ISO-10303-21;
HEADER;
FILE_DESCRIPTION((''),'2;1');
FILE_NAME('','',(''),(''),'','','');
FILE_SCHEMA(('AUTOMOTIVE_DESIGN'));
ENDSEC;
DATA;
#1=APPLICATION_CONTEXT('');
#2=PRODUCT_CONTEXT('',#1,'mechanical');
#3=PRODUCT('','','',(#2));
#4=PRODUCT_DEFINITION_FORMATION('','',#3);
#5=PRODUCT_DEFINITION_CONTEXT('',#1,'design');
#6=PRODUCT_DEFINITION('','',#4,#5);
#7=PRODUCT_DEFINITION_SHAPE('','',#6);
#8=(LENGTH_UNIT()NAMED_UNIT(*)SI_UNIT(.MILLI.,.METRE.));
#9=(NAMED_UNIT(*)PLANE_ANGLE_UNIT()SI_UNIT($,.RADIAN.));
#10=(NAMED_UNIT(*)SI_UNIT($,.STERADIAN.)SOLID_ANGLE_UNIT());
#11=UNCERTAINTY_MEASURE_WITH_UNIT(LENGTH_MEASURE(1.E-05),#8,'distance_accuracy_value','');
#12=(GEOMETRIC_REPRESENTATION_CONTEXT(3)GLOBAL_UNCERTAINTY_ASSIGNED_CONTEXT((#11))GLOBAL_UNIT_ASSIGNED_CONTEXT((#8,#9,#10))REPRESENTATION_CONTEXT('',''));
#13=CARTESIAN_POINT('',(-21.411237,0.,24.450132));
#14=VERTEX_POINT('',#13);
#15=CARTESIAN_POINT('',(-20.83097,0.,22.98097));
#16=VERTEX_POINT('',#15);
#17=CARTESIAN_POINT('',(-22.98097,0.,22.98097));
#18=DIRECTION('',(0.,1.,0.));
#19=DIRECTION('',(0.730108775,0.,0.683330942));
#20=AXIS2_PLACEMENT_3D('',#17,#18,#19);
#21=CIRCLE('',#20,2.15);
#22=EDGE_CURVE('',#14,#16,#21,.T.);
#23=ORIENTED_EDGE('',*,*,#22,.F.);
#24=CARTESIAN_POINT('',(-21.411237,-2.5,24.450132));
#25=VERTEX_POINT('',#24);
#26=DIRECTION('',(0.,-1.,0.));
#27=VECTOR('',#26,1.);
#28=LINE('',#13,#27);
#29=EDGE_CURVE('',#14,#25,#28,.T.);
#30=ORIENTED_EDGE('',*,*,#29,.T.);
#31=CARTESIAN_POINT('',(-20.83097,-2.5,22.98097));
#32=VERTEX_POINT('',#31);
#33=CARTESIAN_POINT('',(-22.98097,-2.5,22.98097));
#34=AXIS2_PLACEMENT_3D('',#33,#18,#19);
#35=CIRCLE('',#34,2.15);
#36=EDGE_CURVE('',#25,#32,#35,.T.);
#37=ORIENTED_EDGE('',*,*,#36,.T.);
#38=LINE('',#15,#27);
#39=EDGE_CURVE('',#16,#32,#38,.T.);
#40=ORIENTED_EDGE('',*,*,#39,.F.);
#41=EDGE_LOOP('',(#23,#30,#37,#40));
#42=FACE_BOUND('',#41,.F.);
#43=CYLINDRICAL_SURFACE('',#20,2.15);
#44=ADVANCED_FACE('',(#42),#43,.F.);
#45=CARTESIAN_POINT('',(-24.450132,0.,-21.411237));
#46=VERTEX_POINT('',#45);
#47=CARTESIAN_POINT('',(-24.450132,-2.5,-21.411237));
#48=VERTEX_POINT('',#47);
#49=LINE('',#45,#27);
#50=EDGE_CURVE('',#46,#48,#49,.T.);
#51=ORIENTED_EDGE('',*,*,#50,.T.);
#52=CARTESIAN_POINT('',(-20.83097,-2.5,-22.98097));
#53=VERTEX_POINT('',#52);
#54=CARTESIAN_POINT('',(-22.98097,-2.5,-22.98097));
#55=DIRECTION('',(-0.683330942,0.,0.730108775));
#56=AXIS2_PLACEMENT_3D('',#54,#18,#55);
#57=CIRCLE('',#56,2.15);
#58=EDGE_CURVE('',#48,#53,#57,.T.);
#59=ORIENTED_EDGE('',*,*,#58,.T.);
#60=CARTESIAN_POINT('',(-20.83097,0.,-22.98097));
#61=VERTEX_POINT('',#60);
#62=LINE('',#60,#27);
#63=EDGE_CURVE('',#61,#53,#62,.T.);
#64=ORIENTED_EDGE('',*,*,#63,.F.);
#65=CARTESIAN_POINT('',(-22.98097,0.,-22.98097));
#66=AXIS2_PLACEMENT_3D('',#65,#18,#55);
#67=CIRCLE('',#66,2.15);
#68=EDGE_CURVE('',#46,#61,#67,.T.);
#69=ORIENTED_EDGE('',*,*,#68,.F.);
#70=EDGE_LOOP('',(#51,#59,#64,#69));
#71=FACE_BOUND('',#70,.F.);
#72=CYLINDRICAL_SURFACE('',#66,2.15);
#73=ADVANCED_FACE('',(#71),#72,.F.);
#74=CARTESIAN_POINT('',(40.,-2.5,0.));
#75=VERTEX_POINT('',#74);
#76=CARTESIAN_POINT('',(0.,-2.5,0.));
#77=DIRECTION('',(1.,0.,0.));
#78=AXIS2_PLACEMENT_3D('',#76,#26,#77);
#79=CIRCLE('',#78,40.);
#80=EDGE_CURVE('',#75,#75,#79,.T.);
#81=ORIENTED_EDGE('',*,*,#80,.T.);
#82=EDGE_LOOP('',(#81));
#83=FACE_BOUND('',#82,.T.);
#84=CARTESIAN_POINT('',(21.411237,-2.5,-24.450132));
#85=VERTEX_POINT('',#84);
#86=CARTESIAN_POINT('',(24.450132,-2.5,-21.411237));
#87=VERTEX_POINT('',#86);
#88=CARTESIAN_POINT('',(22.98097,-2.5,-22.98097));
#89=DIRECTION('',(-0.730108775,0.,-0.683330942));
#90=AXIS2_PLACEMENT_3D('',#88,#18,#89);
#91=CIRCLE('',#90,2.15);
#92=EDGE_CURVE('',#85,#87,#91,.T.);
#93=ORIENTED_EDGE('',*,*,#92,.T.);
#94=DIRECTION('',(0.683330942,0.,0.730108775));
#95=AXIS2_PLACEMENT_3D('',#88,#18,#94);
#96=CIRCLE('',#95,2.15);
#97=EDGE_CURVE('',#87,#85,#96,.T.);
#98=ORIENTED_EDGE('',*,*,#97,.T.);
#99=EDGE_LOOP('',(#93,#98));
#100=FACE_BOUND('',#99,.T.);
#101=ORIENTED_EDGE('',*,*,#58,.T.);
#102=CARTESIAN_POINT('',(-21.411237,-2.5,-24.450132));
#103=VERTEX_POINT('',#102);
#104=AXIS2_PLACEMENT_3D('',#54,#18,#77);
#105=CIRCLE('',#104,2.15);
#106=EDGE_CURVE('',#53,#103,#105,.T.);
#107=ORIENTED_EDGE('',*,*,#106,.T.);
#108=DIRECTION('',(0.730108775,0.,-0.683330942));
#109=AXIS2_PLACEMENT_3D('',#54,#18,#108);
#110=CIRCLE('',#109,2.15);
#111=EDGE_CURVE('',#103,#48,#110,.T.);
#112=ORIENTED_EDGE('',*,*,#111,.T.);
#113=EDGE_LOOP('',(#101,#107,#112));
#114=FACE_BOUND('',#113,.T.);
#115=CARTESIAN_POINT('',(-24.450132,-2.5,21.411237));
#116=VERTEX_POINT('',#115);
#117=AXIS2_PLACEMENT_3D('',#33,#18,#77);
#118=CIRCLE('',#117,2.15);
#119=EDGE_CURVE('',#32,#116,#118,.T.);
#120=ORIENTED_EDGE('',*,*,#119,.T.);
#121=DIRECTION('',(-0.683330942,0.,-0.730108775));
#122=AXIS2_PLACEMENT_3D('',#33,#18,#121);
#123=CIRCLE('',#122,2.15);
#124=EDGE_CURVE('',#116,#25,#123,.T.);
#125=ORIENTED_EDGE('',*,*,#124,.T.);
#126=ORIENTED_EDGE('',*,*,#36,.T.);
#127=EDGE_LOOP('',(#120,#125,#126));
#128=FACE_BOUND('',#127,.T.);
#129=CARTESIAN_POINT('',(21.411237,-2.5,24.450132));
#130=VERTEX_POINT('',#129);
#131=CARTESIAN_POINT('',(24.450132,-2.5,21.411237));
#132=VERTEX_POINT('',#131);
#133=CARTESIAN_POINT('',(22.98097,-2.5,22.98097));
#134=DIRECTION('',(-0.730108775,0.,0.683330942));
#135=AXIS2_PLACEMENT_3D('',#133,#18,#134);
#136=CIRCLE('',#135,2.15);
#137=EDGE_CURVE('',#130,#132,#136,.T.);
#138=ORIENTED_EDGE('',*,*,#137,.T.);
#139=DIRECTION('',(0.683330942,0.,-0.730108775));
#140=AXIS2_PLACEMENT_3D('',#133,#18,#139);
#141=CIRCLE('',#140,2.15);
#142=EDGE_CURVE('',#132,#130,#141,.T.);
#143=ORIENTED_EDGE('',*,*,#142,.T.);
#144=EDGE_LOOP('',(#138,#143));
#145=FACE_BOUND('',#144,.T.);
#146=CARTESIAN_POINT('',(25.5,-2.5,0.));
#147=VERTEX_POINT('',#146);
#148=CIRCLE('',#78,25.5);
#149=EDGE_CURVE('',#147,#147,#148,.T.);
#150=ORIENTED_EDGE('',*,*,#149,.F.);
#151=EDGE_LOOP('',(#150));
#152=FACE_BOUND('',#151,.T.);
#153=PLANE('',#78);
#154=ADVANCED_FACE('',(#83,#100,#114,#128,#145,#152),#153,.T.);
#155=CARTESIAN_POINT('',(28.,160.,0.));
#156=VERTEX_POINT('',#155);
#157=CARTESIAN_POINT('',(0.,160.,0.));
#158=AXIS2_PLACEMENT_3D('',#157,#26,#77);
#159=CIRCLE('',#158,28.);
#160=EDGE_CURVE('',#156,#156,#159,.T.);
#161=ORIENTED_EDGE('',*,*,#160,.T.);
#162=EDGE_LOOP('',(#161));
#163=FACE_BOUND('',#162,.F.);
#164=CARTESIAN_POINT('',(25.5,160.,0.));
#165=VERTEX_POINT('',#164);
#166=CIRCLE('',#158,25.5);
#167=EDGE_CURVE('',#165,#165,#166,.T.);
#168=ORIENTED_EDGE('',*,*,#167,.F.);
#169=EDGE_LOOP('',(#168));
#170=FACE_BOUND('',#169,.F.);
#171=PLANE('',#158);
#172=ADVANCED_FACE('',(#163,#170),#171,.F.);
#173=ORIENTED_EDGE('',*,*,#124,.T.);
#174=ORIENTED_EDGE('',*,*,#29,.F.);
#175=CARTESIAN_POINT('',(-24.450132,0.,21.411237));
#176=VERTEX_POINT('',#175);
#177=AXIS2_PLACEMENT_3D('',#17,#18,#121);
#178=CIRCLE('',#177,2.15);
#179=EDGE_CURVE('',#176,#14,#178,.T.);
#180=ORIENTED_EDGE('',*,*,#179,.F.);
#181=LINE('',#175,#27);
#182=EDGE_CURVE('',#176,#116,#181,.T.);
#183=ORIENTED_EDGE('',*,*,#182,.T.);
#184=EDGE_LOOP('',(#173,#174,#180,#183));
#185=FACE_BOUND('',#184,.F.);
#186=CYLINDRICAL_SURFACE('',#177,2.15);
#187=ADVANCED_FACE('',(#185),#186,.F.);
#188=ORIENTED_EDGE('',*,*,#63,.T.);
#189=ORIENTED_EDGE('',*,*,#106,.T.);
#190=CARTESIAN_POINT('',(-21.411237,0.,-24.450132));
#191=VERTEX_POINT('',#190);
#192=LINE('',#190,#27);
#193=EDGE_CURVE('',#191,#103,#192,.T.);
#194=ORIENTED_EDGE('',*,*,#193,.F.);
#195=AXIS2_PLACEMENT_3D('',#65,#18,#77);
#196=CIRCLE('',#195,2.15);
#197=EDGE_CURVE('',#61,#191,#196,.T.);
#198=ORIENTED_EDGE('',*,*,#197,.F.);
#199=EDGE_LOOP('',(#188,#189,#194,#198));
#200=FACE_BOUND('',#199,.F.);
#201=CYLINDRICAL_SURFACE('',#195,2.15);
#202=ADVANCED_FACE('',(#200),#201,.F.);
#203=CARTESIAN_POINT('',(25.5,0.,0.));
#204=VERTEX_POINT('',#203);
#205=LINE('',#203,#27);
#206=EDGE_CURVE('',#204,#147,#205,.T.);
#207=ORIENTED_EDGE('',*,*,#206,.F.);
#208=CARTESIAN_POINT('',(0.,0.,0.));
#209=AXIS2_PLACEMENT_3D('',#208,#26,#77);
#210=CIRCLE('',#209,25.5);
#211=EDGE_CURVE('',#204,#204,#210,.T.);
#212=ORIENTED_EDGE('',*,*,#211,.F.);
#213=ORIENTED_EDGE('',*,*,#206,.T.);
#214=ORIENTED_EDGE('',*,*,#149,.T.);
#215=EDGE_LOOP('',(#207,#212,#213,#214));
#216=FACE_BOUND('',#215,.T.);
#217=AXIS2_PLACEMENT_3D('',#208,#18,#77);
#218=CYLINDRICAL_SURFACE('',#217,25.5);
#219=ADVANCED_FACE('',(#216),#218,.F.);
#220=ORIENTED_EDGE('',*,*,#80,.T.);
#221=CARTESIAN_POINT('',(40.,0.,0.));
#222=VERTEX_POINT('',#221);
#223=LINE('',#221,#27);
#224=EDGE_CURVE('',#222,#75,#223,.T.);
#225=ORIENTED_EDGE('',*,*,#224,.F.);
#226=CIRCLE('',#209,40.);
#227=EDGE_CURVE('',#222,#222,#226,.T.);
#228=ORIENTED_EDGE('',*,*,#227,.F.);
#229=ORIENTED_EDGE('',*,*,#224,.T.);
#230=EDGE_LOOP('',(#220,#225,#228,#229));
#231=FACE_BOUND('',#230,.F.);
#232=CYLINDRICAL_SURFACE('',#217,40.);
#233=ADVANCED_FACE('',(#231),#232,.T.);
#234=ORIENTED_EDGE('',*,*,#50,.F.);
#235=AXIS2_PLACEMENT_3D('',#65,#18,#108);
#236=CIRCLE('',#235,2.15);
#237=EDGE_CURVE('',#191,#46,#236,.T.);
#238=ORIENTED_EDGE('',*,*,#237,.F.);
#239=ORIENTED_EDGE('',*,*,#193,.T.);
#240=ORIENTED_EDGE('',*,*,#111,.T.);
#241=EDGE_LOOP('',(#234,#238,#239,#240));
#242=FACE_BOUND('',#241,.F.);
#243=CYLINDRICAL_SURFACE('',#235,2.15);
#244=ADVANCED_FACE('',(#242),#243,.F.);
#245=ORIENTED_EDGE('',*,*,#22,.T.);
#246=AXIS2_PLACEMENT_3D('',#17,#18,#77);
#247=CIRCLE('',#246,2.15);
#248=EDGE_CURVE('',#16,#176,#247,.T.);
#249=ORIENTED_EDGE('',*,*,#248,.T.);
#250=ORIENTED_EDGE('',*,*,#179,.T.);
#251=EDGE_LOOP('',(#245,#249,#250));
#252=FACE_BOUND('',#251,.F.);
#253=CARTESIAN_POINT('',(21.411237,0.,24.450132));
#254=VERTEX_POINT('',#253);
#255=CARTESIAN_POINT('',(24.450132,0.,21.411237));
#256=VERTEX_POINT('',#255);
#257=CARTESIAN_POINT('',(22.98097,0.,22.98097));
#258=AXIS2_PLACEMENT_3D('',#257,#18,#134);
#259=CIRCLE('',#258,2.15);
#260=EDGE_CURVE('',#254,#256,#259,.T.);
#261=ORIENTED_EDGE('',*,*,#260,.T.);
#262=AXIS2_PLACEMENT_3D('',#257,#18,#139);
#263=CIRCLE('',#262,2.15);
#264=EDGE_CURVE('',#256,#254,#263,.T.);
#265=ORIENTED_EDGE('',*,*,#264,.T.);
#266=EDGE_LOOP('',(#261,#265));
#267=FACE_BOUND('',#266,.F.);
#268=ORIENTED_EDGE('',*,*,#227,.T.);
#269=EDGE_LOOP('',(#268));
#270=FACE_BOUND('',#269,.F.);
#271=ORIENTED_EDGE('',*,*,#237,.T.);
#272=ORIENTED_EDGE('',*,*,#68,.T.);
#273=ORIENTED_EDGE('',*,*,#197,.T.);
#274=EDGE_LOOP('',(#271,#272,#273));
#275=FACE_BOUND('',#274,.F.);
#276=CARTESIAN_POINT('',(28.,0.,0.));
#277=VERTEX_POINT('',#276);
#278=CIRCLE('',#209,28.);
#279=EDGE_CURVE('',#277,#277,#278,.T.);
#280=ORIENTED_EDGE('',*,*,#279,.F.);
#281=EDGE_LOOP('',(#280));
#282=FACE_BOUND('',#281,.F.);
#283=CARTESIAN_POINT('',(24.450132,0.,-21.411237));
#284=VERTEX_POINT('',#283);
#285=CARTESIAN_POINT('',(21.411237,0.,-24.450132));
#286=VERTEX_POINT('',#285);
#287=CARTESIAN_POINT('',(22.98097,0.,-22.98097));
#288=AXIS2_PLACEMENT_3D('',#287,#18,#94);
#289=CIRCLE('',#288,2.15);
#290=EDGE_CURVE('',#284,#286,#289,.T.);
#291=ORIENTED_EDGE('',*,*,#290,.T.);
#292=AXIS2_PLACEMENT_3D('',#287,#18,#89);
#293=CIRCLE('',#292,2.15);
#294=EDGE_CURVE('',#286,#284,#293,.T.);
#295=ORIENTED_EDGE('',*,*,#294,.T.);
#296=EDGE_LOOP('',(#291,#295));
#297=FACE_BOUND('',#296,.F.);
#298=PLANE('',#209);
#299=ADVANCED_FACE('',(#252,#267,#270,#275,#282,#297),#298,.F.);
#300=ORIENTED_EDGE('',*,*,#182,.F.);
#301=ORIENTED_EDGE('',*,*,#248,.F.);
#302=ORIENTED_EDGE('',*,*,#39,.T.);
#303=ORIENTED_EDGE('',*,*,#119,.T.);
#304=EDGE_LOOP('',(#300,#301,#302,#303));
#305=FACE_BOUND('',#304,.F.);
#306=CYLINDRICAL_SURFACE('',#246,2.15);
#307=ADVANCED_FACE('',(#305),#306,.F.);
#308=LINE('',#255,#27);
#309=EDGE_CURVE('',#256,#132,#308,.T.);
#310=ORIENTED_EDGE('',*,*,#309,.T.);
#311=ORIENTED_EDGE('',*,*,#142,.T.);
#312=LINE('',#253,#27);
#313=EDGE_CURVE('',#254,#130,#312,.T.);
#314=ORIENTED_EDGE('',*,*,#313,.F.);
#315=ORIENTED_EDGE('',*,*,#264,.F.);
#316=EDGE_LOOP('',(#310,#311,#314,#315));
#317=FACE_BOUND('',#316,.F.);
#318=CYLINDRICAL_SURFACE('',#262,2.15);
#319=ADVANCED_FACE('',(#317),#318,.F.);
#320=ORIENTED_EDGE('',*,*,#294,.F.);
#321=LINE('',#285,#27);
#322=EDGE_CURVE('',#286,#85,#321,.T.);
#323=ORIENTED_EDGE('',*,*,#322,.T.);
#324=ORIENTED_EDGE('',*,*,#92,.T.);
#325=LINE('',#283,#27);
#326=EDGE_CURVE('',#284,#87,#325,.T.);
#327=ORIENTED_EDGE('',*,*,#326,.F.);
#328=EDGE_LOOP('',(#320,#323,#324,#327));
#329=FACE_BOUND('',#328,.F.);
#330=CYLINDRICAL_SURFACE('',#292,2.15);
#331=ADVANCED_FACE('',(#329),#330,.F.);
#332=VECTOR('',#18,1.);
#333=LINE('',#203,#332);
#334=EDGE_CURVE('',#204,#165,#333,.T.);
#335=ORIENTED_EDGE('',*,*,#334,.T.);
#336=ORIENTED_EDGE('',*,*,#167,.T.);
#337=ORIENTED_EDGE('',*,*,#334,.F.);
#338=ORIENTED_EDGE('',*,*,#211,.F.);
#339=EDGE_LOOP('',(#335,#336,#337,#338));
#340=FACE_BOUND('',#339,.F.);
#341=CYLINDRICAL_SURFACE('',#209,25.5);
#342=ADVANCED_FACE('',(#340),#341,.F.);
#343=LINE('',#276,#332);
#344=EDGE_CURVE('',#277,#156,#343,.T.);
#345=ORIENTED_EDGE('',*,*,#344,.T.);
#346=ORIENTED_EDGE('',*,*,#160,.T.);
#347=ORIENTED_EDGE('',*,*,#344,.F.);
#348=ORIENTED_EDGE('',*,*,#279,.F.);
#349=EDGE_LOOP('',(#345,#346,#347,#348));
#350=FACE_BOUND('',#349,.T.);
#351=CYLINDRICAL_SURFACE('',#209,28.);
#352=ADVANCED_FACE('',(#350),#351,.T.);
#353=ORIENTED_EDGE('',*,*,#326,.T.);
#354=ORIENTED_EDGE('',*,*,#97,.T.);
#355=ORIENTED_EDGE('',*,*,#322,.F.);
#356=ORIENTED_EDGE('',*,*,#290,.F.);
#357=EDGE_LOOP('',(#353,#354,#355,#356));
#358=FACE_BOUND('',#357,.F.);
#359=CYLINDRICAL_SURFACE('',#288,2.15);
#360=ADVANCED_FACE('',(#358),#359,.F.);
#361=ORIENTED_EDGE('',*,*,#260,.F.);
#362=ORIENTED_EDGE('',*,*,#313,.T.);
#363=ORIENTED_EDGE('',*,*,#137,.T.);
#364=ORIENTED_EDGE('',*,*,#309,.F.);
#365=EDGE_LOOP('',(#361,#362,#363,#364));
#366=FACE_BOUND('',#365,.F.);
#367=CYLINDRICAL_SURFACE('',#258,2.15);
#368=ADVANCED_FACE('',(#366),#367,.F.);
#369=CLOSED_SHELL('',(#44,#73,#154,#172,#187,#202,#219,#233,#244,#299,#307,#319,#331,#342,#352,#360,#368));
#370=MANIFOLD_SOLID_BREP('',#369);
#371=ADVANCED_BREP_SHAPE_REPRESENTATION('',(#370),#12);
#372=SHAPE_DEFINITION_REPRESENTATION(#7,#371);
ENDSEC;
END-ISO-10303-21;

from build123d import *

# Parameters (mm, degrees)
F0_R     = 40
F0_R_2   = 28
F0_R_3   = 25.5
F1_DEPTH = 2.5
F2_DEPTH = 160


with BuildPart() as f1:
    # F0 (on Front) → F1 (new body)
    with BuildSketch(Plane.XZ):
        Circle(F0_R)
        with BuildLine():
            ThreePointArc((24.4501319139, 21.4112365218), (30.4210394892, 11.4372355226), (32.5, 0))
            ThreePointArc((32.5, 0), (30.4210394892, -11.4372355226), (24.4501319139, -21.4112365218))
            ThreePointArc((24.4501319139, -21.4112365218), (24.9534304363, -22.1254580507), (25.1309703886, -22.9809703886))
            ThreePointArc((25.1309703886, -22.9809703886), (23.7707716884, -24.9806488394), (21.4112365218, -24.4501319139))
            ThreePointArc((21.4112365218, -24.4501319139), (0, -32.5), (-21.4112365218, -24.4501319139))
            ThreePointArc((-21.4112365218, -24.4501319139), (-24.5012499681, -24.5012499681), (-24.4501319139, -21.4112365218))
            ThreePointArc((-24.4501319139, -21.4112365218), (-32.5, 0), (-24.4501319139, 21.4112365218))
            ThreePointArc((-24.4501319139, 21.4112365218), (-24.5012499681, 24.5012499681), (-21.4112365218, 24.4501319139))
            ThreePointArc((-21.4112365218, 24.4501319139), (0, 32.5), (21.4112365218, 24.4501319139))
            ThreePointArc((21.4112365218, 24.4501319139), (23.7707716884, 24.9806488394), (25.1309703886, 22.9809703886))
            ThreePointArc((25.1309703886, 22.9809703886), (24.9534304363, 22.1254580507), (24.4501319139, 21.4112365218))
        make_face(mode=Mode.SUBTRACT)
        with BuildLine():
            ThreePointArc((24.4501319139, -21.4112365218), (30.4210394892, -11.4372355226), (32.5, 0))
            ThreePointArc((32.5, 0), (30.4210394892, 11.4372355226), (24.4501319139, 21.4112365218))
            ThreePointArc((24.4501319139, 21.4112365218), (21.460690809, 21.460690809), (21.4112365218, 24.4501319139))
            ThreePointArc((21.4112365218, 24.4501319139), (0, 32.5), (-21.4112365218, 24.4501319139))
            ThreePointArc((-21.4112365218, 24.4501319139), (-20.9812919377, 23.7707716884), (-20.8309703886, 22.9809703886))
            ThreePointArc((-20.8309703886, 22.9809703886), (-22.1254580507, 21.0085103409), (-24.4501319139, 21.4112365218))
            ThreePointArc((-24.4501319139, 21.4112365218), (-32.5, 0), (-24.4501319139, -21.4112365218))
            ThreePointArc((-24.4501319139, -21.4112365218), (-22.1254580507, -21.0085103409), (-20.8309703886, -22.9809703886))
            ThreePointArc((-20.8309703886, -22.9809703886), (-20.9812919377, -23.7707716884), (-21.4112365218, -24.4501319139))
            ThreePointArc((-21.4112365218, -24.4501319139), (0, -32.5), (21.4112365218, -24.4501319139))
            ThreePointArc((21.4112365218, -24.4501319139), (21.460690809, -21.460690809), (24.4501319139, -21.4112365218))
        make_face()
        Circle(F0_R_2, mode=Mode.SUBTRACT)
        Circle(F0_R_2)
        Circle(F0_R_3, mode=Mode.SUBTRACT)
    extrude(amount=F1_DEPTH)

    # F0 (on Front) → F2 (join)
    with BuildSketch(Plane.XZ):
        Circle(F0_R_2)
        Circle(F0_R_3, mode=Mode.SUBTRACT)
    extrude(amount=-F2_DEPTH)


solid = f1.part
